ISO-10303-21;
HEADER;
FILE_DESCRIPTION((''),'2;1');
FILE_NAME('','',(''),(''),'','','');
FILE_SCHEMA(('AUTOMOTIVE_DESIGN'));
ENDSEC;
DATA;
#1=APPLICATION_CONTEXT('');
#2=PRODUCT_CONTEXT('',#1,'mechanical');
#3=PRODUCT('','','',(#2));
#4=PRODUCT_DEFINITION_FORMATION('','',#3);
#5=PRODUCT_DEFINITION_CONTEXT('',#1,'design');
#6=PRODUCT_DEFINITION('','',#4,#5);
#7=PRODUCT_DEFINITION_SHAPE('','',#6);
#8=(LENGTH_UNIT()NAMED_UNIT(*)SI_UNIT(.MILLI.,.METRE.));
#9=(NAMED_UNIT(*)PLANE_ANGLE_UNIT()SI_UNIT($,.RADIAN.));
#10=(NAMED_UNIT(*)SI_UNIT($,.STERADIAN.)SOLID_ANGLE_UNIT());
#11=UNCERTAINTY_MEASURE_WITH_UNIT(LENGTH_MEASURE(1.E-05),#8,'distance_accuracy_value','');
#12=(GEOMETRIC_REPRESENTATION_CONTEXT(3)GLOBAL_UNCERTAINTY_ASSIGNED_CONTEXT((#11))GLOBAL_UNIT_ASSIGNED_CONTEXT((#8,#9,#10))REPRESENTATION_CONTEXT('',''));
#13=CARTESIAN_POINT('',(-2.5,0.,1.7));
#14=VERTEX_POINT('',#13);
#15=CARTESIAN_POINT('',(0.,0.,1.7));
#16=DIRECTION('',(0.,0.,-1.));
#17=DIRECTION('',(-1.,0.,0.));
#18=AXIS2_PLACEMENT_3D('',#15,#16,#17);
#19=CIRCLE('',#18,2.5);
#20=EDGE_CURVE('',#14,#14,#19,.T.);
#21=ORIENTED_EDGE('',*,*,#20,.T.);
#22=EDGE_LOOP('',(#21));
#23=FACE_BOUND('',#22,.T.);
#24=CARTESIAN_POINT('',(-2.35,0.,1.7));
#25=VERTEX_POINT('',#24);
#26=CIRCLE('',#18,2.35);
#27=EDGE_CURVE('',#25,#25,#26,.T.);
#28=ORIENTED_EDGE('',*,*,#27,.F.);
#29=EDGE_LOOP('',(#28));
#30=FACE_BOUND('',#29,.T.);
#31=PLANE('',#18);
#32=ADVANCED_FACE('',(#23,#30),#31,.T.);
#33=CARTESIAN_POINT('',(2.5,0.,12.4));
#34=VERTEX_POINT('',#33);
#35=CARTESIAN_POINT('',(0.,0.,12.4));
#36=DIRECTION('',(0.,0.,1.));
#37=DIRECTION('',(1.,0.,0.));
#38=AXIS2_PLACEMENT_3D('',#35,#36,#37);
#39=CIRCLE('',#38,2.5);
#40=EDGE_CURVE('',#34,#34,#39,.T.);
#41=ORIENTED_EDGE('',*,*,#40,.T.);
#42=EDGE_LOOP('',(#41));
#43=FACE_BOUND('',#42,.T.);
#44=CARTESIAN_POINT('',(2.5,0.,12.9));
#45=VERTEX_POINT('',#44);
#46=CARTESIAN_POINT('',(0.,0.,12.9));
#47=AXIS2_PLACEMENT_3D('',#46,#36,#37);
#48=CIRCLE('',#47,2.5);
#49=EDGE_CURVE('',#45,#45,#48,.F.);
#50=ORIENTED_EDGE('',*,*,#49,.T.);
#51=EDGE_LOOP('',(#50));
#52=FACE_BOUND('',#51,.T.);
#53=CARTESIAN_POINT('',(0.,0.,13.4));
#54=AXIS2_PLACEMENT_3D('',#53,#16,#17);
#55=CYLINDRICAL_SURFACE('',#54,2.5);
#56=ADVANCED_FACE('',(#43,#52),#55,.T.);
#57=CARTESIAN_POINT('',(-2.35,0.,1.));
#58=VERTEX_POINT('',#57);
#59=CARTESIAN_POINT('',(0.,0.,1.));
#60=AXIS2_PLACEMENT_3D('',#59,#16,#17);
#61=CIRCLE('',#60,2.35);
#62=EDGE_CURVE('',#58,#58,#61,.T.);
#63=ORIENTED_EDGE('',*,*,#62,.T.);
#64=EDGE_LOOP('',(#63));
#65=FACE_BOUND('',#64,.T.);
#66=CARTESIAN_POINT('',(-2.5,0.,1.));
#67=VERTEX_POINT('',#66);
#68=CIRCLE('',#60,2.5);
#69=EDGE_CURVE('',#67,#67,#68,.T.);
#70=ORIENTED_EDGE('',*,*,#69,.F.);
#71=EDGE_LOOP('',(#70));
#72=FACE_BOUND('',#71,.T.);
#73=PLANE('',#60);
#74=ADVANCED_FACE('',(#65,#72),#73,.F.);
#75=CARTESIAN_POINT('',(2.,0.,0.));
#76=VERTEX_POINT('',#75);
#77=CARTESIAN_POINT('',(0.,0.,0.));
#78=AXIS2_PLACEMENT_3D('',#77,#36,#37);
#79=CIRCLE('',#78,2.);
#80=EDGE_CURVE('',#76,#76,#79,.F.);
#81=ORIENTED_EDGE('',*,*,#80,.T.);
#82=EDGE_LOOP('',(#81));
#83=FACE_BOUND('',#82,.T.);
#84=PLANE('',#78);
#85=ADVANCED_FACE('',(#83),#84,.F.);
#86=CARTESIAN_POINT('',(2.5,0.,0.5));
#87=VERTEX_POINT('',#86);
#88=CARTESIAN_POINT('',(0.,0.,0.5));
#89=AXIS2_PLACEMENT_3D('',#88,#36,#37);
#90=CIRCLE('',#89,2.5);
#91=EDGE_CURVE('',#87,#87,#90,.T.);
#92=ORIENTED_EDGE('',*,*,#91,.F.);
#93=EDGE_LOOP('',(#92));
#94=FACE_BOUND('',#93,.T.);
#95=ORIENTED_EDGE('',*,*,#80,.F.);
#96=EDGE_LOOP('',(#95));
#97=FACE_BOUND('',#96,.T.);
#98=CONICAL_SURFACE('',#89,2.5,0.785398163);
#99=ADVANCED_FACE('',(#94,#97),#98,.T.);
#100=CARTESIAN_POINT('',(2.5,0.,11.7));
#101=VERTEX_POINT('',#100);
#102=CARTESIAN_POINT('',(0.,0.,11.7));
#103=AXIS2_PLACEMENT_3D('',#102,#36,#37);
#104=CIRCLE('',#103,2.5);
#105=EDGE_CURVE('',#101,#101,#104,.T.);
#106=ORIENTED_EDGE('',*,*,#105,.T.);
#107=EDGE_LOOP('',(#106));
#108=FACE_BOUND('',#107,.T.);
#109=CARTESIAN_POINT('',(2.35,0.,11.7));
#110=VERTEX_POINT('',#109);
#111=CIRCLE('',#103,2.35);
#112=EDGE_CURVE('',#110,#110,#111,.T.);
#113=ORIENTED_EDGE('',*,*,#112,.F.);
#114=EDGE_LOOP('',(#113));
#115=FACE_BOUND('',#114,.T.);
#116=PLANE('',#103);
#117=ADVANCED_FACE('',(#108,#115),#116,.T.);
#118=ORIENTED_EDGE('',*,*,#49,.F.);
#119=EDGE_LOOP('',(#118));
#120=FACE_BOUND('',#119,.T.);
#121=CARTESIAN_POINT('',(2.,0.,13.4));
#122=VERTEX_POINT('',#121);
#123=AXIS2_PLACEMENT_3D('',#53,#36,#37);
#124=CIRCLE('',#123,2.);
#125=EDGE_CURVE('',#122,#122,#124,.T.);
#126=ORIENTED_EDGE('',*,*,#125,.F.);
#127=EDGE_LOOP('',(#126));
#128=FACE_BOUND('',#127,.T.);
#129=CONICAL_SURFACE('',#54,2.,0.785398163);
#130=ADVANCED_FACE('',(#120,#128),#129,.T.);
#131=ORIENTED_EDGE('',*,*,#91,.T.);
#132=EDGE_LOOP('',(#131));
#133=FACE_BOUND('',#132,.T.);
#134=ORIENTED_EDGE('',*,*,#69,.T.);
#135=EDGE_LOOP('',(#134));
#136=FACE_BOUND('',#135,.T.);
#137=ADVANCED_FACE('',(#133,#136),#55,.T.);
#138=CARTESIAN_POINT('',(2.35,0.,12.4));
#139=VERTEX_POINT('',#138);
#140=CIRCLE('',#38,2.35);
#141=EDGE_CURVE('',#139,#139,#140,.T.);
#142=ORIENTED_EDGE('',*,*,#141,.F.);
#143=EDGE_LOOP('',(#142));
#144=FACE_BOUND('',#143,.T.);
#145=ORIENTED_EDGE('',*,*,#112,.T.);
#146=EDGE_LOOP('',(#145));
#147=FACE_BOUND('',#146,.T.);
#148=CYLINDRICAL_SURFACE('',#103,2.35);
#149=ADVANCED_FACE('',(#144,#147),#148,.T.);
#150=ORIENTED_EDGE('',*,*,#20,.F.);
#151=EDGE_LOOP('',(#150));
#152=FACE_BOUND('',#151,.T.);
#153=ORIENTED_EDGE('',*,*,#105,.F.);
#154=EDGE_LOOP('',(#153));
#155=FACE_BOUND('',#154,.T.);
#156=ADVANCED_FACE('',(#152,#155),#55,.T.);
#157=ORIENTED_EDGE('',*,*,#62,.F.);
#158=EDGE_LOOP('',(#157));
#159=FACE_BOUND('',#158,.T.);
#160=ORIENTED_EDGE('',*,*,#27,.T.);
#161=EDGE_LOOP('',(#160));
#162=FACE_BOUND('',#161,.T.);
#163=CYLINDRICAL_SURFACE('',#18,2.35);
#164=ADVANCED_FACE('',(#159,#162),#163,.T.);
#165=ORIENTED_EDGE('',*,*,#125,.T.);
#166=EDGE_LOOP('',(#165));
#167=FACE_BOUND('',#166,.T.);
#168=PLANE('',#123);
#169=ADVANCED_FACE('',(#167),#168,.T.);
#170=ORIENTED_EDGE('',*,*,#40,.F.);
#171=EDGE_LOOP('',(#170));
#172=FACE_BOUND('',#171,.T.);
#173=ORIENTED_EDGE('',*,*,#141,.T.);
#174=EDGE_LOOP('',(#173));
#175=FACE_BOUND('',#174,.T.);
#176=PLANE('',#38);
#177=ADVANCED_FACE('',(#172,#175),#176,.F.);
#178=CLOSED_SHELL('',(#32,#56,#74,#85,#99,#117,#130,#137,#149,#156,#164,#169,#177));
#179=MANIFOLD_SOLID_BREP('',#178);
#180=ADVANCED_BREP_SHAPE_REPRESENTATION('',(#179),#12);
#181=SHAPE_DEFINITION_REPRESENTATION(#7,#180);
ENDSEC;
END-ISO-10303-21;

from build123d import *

# Parameters (mm, degrees)
SZKIC1_R                    = 2.5
DODANIE_WYCI_GNI_CIE1_DEPTH = 13.4
SFAZOWANIE1_SIZE            = 0.5
WYTNIJ_WYCI_GNI_CIE1_START  = -1.7
SZKIC2_R                    = 2.5
SZKIC2_R_2                  = 2.35
WYTNIJ_WYCI_GNI_CIE1_DEPTH  = 0.7
WYTNIJ_WYCI_GNI_CIE2_START  = -1
SZKIC3_R                    = 2.5
SZKIC3_R_2                  = 2.35
WYTNIJ_WYCI_GNI_CIE2_DEPTH  = 0.7


with BuildPart() as part:
    # Szkic1 → Dodanie-wyciągnięcie1 (new body)
    with BuildSketch(Plane.XY):
        Circle(SZKIC1_R)
    extrude(amount=DODANIE_WYCI_GNI_CIE1_DEPTH)

    # Sfazowanie1
    sfazowanie1_edges = [part.edges().sort_by_distance(p)[0] for p in [
        (-2.5, 0, 0),
        (-2.5, 0, 13.4),
    ]]
    chamfer(sfazowanie1_edges, length=SFAZOWANIE1_SIZE)

    # Szkic2 → Wytnij-wyciągnięcie1 (cut)
    with BuildSketch(Plane.XY.offset(13.4).offset(WYTNIJ_WYCI_GNI_CIE1_START)):
        Circle(SZKIC2_R)
        Circle(SZKIC2_R_2, mode=Mode.SUBTRACT)
    extrude(amount=WYTNIJ_WYCI_GNI_CIE1_DEPTH, mode=Mode.SUBTRACT)

    # Szkic3 → Wytnij-wyciągnięcie2 (cut)
    with BuildSketch(Plane(origin=(0, 0, 0), x_dir=(-1, 0, 0), z_dir=(0, 0, -1)).offset(WYTNIJ_WYCI_GNI_CIE2_START)):
        Circle(SZKIC3_R)
        with Locations(Location((0, 0, 0), (0, 0, 180))):
            Circle(SZKIC3_R_2, mode=Mode.SUBTRACT)
    extrude(amount=-WYTNIJ_WYCI_GNI_CIE2_DEPTH, mode=Mode.SUBTRACT)


solid = part.part
